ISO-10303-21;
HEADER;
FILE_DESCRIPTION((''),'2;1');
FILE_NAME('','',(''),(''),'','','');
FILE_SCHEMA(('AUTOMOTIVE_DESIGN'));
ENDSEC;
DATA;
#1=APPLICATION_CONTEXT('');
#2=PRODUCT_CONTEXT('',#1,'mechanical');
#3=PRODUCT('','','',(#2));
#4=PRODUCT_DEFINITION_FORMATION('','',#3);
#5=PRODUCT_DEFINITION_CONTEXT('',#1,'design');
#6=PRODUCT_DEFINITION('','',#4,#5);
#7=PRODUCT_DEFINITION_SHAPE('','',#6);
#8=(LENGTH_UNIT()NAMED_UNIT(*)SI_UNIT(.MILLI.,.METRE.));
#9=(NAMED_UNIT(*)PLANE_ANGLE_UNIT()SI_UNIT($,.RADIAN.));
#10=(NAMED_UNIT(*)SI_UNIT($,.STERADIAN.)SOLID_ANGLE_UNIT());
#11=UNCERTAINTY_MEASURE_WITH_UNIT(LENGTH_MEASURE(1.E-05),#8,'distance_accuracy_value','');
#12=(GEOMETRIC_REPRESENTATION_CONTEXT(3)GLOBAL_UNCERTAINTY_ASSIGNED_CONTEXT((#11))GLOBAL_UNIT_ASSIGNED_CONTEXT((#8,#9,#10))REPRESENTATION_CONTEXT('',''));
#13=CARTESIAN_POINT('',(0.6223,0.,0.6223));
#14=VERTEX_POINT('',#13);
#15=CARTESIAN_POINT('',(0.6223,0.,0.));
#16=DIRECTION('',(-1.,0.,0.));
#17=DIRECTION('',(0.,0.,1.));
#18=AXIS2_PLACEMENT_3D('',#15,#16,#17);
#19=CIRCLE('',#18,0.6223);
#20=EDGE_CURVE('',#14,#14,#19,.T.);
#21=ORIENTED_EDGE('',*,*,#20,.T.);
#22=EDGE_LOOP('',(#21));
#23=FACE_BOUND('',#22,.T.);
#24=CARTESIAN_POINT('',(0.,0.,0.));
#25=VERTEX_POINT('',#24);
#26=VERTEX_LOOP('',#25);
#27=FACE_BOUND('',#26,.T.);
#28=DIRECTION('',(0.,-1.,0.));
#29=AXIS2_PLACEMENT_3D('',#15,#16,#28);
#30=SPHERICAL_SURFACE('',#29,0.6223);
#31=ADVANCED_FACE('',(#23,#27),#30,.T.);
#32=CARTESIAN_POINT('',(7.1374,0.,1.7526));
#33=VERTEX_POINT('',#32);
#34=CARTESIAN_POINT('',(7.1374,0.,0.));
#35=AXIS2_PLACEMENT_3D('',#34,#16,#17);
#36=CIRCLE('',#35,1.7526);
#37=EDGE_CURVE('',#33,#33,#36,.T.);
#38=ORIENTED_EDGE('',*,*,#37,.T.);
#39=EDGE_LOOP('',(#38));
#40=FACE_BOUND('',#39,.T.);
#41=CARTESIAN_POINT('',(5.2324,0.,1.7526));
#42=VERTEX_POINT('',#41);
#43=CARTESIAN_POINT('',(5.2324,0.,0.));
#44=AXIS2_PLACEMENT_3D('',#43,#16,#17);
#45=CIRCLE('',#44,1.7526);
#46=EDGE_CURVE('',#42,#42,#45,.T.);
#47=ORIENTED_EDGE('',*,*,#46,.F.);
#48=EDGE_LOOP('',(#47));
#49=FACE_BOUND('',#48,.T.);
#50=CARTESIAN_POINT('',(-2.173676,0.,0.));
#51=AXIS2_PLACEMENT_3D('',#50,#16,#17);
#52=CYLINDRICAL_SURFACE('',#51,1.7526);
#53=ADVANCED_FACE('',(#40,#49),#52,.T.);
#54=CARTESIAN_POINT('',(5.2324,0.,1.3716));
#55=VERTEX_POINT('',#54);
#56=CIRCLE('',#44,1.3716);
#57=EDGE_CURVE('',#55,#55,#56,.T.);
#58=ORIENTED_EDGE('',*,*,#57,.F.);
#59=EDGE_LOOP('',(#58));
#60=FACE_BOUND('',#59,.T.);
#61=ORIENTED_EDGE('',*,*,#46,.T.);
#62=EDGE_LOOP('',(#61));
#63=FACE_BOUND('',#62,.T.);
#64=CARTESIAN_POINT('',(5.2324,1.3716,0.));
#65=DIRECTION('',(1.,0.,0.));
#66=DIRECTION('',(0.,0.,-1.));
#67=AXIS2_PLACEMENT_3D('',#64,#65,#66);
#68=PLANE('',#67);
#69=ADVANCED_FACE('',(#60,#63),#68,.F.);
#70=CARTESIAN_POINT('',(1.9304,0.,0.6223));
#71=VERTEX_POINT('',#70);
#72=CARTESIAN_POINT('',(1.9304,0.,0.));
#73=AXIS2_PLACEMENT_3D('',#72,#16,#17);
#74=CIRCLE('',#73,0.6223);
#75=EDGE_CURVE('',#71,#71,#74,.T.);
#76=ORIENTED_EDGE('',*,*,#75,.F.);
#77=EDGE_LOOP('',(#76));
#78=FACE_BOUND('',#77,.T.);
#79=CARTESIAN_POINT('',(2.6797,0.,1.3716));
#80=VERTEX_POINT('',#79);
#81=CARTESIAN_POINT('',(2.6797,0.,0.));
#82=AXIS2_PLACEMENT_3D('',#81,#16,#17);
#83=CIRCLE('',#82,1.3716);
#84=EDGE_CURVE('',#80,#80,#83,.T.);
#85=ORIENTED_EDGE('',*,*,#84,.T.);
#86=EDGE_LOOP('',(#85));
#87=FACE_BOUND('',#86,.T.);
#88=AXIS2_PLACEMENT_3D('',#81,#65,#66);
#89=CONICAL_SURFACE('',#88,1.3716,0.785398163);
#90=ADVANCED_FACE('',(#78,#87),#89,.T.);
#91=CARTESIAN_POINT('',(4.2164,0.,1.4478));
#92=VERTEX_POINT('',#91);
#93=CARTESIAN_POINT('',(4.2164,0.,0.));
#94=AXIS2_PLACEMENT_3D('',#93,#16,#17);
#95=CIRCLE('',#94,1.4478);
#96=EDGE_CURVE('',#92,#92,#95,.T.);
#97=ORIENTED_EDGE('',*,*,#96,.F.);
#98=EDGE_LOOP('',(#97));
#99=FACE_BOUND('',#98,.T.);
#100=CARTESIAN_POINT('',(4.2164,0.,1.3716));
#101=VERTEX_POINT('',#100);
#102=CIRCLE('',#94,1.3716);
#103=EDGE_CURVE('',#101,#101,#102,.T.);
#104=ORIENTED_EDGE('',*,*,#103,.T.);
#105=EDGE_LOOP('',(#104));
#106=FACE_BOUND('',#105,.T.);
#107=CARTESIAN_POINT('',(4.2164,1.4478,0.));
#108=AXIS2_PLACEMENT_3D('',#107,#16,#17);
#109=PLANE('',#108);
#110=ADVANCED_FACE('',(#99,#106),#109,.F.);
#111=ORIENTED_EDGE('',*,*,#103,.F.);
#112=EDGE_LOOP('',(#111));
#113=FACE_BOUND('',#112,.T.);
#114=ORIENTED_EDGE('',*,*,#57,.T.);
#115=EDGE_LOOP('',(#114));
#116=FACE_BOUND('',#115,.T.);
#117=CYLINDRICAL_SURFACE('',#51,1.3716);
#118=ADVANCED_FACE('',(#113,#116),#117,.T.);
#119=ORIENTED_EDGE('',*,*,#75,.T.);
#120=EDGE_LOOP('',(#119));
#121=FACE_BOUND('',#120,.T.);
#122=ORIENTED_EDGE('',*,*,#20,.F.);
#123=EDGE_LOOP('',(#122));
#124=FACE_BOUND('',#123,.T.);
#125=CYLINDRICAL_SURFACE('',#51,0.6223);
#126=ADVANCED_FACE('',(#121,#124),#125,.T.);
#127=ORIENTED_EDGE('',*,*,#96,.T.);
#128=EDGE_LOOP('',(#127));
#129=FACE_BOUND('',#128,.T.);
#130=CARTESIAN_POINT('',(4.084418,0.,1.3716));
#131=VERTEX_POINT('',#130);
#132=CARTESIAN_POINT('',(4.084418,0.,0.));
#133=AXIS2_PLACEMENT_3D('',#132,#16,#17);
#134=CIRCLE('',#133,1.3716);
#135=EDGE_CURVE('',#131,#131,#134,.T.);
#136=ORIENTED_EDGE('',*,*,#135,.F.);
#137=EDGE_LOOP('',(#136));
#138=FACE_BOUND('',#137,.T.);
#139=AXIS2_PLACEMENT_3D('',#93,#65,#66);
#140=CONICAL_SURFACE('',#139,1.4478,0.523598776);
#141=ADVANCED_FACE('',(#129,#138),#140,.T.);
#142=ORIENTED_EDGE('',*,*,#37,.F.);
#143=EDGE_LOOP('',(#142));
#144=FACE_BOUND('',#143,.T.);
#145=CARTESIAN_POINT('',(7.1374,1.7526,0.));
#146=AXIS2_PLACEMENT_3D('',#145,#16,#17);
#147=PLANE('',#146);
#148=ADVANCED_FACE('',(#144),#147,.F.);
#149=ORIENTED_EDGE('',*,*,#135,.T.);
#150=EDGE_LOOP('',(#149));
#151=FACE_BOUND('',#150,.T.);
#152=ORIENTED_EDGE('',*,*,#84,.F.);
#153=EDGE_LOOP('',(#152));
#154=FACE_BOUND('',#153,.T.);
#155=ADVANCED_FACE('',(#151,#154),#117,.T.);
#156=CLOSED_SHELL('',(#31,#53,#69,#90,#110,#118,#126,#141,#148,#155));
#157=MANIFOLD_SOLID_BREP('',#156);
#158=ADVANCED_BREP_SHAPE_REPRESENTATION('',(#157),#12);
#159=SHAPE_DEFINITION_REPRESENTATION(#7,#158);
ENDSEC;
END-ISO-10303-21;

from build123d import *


with BuildPart() as part:
    # Sketch1 → Revolve1 (revolve)
    with BuildSketch(Plane.XY, mode=Mode.PRIVATE) as revolve1_sk:
        Polygon((0, 0), (0, 0.6223), (1.9304, 0.6223), (2.6797, 1.3716), (4.084417728, 1.3716), (4.2164, 1.4478), (4.2164, 1.3716), (5.2324, 1.3716), (5.2324, 1.7526), (7.1374, 1.7526), (7.1374, 0), align=None)
    revolve(revolve1_sk.sketch.rotate(Axis((-2.173675745, 0, 0), (1, 0, 0)), 90), axis=Axis((-2.173675745, 0, 0), (1, 0, 0)))

    # Sketch2 → Cut-Revolve1 (revolve, cut)
    with BuildSketch(Plane.XY, mode=Mode.PRIVATE) as cut_revolve1_sk:
        with BuildLine():
            Line((0.6223, 0.6223), (-0.23767542, 0.6223))
            Line((-0.23767542, 0.6223), (-0.23767542, 0))
            Line((-0.23767542, 0), (0, 0))
            ThreePointArc((0, 0), (0.18226745, 0.44003255), (0.6223, 0.6223))
        make_face()
    revolve(cut_revolve1_sk.sketch.rotate(Axis((-2.173675745, 0, 0), (1, 0, 0)), 90), axis=Axis((-2.173675745, 0, 0), (1, 0, 0)), mode=Mode.SUBTRACT)


solid = part.part
